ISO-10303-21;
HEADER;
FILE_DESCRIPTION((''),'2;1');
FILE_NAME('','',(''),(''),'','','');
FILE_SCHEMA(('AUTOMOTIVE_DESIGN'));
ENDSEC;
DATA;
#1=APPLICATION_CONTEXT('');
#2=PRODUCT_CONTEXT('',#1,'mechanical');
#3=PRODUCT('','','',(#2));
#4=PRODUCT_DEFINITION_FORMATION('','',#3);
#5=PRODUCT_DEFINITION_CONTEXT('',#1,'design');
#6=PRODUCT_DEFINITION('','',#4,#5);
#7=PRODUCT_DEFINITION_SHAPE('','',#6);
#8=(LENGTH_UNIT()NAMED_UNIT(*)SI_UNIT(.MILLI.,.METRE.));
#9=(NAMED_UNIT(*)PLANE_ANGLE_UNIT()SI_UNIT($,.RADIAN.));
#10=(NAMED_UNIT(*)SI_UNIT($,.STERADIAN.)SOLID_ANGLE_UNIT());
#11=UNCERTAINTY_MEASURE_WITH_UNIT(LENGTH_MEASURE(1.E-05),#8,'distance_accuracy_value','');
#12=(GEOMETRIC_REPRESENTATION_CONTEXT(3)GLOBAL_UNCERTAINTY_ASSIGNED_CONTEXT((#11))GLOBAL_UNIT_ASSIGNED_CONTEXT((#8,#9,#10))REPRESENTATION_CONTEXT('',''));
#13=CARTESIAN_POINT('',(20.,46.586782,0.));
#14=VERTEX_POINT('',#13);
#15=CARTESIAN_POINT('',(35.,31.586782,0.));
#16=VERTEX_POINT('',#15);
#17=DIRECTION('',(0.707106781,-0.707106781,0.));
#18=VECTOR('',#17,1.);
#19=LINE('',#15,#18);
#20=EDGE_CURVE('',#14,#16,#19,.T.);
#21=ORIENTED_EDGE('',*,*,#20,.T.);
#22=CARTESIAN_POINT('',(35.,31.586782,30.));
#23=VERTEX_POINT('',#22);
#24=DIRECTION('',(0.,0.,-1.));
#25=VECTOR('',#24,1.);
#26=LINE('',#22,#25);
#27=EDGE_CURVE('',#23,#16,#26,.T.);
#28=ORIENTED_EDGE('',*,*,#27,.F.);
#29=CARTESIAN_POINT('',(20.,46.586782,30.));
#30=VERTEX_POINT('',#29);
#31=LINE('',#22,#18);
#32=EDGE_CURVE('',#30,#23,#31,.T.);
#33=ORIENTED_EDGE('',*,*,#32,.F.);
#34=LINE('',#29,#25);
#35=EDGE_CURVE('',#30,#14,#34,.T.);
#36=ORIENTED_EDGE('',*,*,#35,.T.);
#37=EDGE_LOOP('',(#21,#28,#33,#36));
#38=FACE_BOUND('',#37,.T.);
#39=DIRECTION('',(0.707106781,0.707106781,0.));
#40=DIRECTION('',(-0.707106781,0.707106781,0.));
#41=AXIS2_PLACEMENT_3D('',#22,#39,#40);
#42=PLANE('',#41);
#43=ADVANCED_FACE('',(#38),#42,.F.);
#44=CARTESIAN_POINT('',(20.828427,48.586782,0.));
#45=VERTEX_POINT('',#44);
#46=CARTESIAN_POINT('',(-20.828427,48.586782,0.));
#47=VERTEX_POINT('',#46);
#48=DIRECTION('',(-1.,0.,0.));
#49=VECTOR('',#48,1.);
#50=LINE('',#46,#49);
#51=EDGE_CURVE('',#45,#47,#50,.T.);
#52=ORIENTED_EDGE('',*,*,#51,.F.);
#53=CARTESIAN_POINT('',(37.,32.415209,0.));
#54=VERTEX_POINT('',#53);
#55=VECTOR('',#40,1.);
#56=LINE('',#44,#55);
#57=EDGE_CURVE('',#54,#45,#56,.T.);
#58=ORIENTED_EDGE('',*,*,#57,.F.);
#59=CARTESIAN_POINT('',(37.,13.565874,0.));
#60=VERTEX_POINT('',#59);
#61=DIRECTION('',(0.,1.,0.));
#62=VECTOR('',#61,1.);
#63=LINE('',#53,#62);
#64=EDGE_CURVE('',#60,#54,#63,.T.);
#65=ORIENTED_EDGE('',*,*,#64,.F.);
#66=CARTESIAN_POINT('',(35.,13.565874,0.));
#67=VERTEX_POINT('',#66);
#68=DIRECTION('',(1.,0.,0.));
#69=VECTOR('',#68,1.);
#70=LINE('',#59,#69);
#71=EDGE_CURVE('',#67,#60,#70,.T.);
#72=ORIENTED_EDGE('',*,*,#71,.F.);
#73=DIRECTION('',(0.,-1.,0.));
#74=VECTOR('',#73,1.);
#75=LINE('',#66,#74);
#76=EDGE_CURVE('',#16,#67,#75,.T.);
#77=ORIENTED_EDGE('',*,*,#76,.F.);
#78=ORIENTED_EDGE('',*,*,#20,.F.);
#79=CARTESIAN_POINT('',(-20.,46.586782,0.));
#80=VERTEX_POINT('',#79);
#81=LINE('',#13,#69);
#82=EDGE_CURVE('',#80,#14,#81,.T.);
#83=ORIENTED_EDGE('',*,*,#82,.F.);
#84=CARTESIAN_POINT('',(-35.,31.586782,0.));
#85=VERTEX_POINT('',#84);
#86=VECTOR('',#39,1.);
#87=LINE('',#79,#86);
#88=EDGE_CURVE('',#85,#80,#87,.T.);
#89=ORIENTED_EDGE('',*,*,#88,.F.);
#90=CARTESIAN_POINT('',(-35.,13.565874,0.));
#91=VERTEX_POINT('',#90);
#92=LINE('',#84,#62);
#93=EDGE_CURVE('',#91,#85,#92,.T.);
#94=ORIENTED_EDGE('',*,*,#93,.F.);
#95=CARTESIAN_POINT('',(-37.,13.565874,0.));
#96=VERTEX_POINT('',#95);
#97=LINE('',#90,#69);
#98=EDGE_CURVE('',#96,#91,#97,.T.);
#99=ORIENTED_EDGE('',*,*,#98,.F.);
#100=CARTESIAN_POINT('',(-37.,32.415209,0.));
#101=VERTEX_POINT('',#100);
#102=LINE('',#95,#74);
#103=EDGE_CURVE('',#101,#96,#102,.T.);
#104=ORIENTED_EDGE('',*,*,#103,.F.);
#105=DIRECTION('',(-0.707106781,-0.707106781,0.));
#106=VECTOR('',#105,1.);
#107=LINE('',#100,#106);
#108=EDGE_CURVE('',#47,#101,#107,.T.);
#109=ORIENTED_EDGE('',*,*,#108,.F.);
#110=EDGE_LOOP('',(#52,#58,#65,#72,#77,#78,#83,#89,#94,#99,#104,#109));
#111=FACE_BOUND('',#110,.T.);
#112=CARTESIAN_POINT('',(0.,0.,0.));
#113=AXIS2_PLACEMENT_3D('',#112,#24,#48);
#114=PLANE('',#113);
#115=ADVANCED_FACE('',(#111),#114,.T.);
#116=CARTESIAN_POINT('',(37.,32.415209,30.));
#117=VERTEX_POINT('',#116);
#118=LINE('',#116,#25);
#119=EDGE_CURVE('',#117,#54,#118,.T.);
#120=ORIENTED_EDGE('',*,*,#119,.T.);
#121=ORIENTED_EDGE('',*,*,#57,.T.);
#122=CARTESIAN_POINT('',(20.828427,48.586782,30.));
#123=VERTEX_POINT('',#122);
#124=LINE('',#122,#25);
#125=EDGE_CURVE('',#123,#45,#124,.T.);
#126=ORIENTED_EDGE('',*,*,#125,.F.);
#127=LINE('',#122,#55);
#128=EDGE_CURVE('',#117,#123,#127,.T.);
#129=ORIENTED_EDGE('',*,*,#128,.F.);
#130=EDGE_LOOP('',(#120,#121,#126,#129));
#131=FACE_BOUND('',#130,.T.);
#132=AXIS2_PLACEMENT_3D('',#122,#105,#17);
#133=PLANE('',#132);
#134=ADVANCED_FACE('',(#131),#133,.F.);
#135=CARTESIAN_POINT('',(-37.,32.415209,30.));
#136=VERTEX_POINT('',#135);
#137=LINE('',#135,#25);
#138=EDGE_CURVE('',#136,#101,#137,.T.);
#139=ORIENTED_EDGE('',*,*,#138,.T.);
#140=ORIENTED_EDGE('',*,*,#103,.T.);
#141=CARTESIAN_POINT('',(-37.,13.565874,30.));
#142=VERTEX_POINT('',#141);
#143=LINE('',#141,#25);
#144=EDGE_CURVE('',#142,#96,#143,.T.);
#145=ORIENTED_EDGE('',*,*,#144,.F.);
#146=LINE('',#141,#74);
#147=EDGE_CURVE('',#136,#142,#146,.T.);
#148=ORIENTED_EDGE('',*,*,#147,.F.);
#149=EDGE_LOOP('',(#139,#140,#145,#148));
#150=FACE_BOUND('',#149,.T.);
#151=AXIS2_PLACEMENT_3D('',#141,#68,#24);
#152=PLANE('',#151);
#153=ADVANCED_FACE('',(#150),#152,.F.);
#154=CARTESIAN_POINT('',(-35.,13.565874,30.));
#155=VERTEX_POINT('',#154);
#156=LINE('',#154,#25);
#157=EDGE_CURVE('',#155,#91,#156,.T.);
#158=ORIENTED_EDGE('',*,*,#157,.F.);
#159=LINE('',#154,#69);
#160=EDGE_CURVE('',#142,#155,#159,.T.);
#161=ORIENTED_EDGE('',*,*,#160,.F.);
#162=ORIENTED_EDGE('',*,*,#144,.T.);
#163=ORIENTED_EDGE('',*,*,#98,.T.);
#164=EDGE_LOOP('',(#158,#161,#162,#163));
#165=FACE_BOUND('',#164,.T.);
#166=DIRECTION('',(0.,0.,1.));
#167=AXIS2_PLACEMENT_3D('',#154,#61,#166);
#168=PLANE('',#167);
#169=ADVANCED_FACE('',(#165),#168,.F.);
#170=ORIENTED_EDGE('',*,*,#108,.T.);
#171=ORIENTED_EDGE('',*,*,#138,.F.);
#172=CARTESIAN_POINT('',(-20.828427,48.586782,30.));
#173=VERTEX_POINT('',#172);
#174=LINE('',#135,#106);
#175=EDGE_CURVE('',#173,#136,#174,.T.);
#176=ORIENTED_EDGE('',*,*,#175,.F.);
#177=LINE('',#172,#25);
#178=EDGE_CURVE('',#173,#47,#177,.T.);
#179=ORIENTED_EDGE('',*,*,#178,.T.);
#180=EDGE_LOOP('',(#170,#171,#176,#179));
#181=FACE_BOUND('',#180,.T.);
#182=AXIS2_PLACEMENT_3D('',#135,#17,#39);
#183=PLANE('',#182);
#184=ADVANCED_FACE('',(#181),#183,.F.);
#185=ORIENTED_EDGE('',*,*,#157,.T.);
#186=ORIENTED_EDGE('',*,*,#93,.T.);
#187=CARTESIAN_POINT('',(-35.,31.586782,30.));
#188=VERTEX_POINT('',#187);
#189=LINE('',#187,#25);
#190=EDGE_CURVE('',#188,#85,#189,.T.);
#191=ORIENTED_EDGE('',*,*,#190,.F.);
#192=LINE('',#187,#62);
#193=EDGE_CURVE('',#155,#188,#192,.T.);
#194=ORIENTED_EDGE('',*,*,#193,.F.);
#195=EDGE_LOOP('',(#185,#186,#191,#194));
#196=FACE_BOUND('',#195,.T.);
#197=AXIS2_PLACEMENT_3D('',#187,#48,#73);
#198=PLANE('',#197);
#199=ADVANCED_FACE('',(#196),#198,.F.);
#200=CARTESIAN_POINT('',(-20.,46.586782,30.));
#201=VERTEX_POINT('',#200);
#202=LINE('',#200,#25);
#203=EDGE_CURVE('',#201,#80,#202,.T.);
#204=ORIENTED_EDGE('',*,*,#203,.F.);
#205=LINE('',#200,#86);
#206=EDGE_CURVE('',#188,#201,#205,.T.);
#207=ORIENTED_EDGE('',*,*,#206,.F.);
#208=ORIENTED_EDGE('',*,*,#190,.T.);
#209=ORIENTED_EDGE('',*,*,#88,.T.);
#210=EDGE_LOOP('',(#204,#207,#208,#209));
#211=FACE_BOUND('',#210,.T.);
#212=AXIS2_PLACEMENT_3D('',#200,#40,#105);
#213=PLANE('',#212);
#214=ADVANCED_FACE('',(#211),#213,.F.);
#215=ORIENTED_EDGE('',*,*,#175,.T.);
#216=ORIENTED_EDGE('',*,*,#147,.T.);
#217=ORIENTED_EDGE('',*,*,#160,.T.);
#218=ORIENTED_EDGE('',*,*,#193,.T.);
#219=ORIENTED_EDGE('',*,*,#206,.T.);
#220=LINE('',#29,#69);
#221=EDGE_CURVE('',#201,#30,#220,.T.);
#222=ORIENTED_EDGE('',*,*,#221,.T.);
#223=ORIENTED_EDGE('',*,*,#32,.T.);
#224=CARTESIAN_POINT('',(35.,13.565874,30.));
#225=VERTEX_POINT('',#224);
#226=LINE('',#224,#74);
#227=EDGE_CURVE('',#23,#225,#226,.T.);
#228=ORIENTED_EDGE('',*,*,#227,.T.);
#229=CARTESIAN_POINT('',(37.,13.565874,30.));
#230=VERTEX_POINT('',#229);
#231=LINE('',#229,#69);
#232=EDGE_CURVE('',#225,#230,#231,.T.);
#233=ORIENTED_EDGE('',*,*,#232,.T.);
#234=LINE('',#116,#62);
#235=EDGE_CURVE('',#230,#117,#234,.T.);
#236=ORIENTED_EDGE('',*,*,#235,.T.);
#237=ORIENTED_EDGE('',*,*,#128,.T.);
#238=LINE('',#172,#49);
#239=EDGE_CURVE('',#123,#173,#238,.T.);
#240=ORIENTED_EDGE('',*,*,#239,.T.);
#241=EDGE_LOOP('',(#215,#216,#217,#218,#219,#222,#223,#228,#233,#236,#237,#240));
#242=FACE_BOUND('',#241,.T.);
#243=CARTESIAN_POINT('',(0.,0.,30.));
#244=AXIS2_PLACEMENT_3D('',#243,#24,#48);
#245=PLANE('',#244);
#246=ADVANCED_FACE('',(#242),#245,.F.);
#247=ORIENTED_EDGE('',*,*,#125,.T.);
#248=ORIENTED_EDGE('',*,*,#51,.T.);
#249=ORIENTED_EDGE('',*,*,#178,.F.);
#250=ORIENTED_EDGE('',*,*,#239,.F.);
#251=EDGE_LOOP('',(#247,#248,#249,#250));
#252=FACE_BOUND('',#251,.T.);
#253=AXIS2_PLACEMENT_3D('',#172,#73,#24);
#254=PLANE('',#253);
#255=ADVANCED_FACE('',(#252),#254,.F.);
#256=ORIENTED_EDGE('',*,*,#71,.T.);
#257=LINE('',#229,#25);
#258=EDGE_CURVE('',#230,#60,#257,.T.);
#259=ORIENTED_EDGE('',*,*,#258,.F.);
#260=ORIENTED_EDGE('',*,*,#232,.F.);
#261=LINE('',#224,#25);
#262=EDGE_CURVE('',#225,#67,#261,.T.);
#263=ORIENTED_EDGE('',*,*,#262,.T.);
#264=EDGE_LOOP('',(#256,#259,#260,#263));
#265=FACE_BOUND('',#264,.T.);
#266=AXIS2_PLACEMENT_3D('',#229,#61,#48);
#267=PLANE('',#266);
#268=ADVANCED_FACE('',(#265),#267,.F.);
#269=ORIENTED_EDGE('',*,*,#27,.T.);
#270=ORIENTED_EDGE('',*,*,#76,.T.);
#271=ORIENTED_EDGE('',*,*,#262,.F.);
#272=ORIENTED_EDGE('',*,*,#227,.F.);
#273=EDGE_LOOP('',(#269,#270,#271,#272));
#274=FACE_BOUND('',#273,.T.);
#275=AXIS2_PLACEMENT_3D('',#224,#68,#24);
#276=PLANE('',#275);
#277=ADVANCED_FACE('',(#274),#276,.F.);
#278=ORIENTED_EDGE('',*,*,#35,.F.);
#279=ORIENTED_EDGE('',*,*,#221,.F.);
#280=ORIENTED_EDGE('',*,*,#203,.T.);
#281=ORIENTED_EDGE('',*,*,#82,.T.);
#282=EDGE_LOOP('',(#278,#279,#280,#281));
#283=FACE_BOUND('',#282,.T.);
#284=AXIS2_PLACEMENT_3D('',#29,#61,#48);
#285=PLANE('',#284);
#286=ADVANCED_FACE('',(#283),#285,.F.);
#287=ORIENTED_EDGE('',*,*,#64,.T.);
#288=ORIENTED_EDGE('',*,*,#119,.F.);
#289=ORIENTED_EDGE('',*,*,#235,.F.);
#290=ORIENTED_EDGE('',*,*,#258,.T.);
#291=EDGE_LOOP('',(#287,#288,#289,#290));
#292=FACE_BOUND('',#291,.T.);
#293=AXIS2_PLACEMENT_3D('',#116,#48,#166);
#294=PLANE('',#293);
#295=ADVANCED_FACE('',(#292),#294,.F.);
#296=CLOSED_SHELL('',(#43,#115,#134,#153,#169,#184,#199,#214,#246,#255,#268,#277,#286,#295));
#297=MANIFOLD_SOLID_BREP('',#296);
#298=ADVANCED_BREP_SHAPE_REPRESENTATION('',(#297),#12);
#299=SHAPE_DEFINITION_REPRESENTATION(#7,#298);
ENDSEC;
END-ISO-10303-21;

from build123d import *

# Parameters (mm, degrees)
BOSS_EXTRUDE1_DEPTH = 30


with BuildPart() as part:
    # Sketch2 → Boss-Extrude1 (new body)
    with BuildSketch(Plane.XY):
        Polygon((37, 13.565874344), (35, 13.565874344), (35, 31.586782193), (20, 46.586782193), (-20, 46.586782193), (-35, 31.586782193), (-35, 13.565874344), (-37, 13.565874344), (-37, 32.415209318), (-20.828427125, 48.586782193), (20.828427125, 48.586782193), (37, 32.415209318), align=None)
    extrude(amount=BOSS_EXTRUDE1_DEPTH)


solid = part.part
